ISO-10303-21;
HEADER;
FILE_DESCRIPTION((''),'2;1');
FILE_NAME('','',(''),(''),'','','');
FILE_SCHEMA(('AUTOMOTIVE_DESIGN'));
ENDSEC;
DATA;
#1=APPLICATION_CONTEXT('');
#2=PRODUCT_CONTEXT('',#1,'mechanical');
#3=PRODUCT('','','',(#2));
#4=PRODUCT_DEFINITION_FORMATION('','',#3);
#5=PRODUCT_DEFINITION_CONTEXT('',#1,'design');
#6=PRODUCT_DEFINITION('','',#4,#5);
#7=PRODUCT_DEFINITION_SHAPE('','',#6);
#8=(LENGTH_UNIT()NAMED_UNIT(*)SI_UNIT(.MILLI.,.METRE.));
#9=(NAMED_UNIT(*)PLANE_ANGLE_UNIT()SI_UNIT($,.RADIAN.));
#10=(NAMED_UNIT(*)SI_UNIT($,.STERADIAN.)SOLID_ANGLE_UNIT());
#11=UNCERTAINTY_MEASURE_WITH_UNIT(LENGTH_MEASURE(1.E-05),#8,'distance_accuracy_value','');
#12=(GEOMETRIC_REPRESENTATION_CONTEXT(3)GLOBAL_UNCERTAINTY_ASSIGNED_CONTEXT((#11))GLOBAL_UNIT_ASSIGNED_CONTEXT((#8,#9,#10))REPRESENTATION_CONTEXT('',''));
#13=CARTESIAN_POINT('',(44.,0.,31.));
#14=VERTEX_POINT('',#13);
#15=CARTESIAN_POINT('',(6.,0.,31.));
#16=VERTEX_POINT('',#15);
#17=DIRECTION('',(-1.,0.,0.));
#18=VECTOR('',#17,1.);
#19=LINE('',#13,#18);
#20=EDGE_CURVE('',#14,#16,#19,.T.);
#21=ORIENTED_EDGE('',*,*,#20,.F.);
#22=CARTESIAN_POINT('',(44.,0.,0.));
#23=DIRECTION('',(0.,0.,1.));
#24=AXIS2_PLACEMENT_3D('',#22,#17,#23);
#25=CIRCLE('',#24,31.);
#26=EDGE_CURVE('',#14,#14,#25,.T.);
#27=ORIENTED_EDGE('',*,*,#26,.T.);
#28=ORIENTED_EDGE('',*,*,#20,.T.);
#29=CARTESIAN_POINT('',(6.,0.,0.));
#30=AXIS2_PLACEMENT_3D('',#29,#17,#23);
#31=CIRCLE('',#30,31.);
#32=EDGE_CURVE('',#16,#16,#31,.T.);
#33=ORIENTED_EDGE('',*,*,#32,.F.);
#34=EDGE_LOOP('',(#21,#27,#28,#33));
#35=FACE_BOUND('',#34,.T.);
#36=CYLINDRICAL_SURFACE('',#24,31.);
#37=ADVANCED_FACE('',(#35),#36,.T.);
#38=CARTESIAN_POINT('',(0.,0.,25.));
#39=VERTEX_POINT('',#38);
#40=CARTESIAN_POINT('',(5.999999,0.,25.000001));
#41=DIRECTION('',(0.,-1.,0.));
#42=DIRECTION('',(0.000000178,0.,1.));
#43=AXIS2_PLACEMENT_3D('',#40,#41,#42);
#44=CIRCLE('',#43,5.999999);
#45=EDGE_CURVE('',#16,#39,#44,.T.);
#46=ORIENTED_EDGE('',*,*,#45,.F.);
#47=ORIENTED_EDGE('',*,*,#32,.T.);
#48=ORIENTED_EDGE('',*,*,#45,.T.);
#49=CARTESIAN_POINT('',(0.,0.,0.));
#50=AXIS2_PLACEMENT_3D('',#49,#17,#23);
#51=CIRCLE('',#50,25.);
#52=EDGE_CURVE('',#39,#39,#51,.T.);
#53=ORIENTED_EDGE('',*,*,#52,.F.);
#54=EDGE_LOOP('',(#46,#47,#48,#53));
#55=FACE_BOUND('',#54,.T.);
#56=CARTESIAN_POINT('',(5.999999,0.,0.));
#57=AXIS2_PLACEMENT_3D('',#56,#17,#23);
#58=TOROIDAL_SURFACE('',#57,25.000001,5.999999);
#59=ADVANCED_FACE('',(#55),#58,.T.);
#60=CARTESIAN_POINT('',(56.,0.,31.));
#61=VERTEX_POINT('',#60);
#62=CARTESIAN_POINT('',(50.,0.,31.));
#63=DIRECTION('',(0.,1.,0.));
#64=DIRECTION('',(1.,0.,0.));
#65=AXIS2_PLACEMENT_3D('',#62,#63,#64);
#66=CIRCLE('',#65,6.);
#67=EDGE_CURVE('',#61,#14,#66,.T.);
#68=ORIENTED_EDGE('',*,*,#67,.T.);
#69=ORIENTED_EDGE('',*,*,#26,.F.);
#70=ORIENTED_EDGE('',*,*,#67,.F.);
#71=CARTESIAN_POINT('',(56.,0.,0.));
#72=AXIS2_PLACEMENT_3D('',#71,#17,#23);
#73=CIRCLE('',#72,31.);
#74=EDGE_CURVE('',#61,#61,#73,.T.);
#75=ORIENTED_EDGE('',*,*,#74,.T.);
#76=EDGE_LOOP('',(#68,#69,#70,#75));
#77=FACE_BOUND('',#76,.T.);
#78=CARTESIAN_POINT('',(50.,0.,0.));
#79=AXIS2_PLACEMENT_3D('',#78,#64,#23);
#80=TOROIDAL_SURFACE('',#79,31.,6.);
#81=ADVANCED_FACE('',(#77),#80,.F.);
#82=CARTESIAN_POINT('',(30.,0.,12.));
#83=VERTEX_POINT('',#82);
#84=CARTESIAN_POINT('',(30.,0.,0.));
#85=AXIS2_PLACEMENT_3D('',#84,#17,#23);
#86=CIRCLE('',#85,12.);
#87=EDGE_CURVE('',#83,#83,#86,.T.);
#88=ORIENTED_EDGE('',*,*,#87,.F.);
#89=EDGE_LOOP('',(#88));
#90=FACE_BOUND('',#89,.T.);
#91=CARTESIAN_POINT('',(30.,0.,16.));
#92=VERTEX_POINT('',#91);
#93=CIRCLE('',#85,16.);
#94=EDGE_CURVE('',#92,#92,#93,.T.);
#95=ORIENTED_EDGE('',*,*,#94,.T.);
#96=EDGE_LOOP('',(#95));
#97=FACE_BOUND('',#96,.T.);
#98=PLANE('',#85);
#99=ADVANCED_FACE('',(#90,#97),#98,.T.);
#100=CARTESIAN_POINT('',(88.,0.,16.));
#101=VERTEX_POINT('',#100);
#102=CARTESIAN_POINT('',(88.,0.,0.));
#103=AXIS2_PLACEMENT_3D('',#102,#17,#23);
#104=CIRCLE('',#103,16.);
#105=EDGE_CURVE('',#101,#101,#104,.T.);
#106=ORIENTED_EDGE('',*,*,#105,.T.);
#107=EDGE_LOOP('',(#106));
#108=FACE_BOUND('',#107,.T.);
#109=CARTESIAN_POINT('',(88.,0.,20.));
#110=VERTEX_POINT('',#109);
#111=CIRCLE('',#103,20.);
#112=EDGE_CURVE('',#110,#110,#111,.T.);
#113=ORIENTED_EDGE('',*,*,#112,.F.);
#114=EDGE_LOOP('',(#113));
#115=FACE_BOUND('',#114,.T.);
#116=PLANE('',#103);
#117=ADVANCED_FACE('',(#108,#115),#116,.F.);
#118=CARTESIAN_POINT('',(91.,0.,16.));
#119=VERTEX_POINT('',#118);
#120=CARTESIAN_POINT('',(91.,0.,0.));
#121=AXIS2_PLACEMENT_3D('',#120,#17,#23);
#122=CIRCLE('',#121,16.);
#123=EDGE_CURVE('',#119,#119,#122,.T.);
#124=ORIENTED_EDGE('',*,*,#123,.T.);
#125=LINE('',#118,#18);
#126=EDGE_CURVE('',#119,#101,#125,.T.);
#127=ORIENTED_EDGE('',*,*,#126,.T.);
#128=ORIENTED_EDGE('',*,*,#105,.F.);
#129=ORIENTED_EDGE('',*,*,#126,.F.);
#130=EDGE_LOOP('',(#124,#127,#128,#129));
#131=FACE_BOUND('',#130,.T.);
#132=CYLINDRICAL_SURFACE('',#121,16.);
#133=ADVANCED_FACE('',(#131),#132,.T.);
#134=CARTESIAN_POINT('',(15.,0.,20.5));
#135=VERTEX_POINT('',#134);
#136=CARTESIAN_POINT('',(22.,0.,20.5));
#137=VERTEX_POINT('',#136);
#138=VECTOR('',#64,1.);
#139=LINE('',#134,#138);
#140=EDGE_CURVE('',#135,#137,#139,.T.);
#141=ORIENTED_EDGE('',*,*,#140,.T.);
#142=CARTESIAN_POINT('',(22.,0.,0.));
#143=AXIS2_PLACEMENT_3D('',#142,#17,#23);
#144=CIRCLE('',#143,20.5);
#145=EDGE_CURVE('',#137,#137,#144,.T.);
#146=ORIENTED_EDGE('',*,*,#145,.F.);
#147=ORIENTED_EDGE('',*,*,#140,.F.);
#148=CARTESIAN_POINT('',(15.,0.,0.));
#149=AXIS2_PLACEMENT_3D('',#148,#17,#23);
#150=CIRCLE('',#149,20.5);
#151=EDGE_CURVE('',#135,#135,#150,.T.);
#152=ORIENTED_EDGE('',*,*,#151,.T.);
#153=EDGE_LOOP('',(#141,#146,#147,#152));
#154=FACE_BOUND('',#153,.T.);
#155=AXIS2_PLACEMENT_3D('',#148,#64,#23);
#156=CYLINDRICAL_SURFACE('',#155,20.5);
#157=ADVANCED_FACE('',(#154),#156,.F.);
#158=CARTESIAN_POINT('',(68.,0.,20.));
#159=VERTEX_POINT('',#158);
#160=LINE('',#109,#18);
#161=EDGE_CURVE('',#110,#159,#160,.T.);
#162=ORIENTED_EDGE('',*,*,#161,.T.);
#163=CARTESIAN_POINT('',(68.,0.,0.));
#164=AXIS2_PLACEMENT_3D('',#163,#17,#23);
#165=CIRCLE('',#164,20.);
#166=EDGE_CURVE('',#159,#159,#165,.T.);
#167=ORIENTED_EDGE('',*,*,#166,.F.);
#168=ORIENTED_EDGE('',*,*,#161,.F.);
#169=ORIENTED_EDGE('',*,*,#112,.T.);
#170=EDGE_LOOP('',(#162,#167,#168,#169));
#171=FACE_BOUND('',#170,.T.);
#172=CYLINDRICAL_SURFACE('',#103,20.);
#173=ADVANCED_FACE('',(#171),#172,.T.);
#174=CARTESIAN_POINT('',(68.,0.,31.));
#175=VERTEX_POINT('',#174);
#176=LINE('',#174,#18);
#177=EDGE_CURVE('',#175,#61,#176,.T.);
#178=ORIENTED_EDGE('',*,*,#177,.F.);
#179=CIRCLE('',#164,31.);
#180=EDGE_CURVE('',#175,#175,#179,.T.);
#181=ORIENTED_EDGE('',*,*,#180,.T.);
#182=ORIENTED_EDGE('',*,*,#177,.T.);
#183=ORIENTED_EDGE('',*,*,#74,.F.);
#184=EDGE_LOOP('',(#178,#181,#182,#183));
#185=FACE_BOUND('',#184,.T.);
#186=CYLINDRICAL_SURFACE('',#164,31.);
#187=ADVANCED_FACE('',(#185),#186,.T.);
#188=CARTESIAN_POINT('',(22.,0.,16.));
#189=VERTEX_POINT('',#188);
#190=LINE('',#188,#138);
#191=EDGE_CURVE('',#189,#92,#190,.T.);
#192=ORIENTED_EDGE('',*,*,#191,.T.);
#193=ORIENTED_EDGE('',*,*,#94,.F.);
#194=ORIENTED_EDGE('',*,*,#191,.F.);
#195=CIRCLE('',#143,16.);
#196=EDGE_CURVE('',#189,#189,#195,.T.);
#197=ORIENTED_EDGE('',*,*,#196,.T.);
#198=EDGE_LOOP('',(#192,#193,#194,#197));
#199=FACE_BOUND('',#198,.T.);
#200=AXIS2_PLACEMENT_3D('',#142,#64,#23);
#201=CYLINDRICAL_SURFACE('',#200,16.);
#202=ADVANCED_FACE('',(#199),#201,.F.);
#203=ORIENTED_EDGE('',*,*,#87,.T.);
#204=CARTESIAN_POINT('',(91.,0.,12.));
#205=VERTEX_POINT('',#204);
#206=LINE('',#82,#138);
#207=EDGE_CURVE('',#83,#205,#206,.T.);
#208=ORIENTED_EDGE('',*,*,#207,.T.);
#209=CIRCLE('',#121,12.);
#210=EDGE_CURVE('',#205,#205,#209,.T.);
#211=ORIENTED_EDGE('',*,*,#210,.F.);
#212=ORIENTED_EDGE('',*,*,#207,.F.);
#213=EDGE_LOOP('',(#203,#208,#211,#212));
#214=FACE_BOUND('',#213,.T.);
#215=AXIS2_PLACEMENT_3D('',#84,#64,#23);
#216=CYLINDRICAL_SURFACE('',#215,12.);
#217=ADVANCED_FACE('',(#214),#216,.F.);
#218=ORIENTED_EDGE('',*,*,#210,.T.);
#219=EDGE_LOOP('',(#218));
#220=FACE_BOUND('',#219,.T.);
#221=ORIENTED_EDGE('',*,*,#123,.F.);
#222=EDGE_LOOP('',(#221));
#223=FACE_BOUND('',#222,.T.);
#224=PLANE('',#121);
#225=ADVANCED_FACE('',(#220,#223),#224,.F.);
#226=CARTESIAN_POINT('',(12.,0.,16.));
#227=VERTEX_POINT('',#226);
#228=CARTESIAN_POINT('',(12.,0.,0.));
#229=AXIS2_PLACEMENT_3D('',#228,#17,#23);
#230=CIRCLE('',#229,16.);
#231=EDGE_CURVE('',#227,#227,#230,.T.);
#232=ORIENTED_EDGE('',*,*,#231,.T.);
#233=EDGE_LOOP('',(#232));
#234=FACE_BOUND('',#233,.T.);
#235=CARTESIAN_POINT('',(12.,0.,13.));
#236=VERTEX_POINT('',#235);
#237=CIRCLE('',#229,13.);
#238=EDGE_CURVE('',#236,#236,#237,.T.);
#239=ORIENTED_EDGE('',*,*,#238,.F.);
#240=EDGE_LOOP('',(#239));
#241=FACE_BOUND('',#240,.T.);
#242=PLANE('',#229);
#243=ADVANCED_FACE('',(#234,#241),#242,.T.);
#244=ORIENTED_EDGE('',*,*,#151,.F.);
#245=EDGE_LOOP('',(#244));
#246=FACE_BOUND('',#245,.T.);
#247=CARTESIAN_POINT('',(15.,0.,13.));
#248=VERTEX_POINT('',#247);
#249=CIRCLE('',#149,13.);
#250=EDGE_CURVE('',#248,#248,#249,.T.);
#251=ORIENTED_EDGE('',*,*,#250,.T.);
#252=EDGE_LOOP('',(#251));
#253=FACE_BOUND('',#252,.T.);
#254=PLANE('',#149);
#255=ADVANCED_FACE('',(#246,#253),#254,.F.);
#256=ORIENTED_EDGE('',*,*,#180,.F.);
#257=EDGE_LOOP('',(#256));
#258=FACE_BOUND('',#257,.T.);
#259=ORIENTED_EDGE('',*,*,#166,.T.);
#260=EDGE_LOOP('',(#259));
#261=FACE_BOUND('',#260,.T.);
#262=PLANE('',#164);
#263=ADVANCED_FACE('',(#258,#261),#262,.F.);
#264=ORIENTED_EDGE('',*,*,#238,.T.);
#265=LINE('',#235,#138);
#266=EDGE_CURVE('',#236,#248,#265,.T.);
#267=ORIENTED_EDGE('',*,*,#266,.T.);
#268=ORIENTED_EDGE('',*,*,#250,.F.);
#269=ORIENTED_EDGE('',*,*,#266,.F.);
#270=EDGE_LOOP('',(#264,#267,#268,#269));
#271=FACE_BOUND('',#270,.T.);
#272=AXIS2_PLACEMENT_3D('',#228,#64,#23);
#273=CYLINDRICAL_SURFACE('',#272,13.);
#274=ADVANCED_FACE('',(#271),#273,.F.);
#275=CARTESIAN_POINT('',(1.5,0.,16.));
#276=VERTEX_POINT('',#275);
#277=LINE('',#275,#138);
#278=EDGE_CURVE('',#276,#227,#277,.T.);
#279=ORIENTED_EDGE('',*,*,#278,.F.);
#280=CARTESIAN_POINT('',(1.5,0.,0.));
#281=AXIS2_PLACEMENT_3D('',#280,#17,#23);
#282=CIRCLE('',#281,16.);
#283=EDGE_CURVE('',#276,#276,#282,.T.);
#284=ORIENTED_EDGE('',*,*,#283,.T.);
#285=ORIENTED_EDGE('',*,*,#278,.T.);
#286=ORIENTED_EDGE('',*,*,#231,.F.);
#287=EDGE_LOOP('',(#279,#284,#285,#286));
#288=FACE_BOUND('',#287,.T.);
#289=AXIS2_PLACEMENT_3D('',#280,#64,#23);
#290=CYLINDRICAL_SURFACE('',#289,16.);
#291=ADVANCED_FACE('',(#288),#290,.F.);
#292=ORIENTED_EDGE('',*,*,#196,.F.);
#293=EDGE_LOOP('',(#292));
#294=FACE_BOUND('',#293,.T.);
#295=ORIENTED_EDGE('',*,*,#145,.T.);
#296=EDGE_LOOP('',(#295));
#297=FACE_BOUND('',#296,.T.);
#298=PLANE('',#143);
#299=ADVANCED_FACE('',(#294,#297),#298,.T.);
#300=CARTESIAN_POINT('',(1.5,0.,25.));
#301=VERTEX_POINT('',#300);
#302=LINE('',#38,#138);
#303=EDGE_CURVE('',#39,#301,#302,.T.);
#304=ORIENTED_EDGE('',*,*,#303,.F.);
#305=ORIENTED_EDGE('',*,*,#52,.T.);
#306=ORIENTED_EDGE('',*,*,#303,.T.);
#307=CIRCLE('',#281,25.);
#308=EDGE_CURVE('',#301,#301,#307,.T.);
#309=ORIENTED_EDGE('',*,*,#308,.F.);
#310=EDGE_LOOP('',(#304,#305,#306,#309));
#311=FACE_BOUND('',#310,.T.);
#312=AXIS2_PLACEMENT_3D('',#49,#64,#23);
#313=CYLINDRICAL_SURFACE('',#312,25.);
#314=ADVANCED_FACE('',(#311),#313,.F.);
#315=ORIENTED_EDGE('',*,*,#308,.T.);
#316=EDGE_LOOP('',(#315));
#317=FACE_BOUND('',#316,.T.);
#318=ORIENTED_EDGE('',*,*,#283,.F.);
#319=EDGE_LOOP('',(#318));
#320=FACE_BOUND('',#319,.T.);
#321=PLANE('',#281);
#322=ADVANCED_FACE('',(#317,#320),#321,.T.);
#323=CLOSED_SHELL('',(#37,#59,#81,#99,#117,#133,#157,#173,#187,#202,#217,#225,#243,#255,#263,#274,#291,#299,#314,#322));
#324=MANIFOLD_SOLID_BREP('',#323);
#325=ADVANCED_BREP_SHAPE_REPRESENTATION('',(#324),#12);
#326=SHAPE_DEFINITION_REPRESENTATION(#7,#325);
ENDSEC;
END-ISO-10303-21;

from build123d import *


with BuildPart() as f1:
    # F0 (on Front) → F1 (revolve)
    with BuildSketch(Plane.XZ):
        with BuildLine():
            ThreePointArc((6, 31), (1.757359, 29.242641), (0, 25))
            Line((0, 25), (1.5, 25))
            Line((1.5, 25), (1.5, 16))
            Line((1.5, 16), (12, 16))
            Line((12, 16), (12, 13))
            Line((12, 13), (15, 13))
            Line((15, 13), (15, 20.5))
            Line((15, 20.5), (22, 20.5))
            Line((22, 20.5), (22, 16))
            Line((22, 16), (30, 16))
            Line((30, 16), (30, 12))
            Line((30, 12), (91, 12))
            Line((91, 12), (91, 16))
            Line((91, 16), (88, 16))
            Line((88, 16), (88, 20))
            Line((88, 20), (68, 20))
            Line((68, 20), (68, 31))
            Line((68, 31), (56, 31))
            ThreePointArc((56, 31), (50, 25), (44, 31))
            Line((44, 31), (6, 31))
        make_face()
    revolve(axis=Axis((45.5, 0, 0), (-1, 0, 0)))


solid = f1.part
